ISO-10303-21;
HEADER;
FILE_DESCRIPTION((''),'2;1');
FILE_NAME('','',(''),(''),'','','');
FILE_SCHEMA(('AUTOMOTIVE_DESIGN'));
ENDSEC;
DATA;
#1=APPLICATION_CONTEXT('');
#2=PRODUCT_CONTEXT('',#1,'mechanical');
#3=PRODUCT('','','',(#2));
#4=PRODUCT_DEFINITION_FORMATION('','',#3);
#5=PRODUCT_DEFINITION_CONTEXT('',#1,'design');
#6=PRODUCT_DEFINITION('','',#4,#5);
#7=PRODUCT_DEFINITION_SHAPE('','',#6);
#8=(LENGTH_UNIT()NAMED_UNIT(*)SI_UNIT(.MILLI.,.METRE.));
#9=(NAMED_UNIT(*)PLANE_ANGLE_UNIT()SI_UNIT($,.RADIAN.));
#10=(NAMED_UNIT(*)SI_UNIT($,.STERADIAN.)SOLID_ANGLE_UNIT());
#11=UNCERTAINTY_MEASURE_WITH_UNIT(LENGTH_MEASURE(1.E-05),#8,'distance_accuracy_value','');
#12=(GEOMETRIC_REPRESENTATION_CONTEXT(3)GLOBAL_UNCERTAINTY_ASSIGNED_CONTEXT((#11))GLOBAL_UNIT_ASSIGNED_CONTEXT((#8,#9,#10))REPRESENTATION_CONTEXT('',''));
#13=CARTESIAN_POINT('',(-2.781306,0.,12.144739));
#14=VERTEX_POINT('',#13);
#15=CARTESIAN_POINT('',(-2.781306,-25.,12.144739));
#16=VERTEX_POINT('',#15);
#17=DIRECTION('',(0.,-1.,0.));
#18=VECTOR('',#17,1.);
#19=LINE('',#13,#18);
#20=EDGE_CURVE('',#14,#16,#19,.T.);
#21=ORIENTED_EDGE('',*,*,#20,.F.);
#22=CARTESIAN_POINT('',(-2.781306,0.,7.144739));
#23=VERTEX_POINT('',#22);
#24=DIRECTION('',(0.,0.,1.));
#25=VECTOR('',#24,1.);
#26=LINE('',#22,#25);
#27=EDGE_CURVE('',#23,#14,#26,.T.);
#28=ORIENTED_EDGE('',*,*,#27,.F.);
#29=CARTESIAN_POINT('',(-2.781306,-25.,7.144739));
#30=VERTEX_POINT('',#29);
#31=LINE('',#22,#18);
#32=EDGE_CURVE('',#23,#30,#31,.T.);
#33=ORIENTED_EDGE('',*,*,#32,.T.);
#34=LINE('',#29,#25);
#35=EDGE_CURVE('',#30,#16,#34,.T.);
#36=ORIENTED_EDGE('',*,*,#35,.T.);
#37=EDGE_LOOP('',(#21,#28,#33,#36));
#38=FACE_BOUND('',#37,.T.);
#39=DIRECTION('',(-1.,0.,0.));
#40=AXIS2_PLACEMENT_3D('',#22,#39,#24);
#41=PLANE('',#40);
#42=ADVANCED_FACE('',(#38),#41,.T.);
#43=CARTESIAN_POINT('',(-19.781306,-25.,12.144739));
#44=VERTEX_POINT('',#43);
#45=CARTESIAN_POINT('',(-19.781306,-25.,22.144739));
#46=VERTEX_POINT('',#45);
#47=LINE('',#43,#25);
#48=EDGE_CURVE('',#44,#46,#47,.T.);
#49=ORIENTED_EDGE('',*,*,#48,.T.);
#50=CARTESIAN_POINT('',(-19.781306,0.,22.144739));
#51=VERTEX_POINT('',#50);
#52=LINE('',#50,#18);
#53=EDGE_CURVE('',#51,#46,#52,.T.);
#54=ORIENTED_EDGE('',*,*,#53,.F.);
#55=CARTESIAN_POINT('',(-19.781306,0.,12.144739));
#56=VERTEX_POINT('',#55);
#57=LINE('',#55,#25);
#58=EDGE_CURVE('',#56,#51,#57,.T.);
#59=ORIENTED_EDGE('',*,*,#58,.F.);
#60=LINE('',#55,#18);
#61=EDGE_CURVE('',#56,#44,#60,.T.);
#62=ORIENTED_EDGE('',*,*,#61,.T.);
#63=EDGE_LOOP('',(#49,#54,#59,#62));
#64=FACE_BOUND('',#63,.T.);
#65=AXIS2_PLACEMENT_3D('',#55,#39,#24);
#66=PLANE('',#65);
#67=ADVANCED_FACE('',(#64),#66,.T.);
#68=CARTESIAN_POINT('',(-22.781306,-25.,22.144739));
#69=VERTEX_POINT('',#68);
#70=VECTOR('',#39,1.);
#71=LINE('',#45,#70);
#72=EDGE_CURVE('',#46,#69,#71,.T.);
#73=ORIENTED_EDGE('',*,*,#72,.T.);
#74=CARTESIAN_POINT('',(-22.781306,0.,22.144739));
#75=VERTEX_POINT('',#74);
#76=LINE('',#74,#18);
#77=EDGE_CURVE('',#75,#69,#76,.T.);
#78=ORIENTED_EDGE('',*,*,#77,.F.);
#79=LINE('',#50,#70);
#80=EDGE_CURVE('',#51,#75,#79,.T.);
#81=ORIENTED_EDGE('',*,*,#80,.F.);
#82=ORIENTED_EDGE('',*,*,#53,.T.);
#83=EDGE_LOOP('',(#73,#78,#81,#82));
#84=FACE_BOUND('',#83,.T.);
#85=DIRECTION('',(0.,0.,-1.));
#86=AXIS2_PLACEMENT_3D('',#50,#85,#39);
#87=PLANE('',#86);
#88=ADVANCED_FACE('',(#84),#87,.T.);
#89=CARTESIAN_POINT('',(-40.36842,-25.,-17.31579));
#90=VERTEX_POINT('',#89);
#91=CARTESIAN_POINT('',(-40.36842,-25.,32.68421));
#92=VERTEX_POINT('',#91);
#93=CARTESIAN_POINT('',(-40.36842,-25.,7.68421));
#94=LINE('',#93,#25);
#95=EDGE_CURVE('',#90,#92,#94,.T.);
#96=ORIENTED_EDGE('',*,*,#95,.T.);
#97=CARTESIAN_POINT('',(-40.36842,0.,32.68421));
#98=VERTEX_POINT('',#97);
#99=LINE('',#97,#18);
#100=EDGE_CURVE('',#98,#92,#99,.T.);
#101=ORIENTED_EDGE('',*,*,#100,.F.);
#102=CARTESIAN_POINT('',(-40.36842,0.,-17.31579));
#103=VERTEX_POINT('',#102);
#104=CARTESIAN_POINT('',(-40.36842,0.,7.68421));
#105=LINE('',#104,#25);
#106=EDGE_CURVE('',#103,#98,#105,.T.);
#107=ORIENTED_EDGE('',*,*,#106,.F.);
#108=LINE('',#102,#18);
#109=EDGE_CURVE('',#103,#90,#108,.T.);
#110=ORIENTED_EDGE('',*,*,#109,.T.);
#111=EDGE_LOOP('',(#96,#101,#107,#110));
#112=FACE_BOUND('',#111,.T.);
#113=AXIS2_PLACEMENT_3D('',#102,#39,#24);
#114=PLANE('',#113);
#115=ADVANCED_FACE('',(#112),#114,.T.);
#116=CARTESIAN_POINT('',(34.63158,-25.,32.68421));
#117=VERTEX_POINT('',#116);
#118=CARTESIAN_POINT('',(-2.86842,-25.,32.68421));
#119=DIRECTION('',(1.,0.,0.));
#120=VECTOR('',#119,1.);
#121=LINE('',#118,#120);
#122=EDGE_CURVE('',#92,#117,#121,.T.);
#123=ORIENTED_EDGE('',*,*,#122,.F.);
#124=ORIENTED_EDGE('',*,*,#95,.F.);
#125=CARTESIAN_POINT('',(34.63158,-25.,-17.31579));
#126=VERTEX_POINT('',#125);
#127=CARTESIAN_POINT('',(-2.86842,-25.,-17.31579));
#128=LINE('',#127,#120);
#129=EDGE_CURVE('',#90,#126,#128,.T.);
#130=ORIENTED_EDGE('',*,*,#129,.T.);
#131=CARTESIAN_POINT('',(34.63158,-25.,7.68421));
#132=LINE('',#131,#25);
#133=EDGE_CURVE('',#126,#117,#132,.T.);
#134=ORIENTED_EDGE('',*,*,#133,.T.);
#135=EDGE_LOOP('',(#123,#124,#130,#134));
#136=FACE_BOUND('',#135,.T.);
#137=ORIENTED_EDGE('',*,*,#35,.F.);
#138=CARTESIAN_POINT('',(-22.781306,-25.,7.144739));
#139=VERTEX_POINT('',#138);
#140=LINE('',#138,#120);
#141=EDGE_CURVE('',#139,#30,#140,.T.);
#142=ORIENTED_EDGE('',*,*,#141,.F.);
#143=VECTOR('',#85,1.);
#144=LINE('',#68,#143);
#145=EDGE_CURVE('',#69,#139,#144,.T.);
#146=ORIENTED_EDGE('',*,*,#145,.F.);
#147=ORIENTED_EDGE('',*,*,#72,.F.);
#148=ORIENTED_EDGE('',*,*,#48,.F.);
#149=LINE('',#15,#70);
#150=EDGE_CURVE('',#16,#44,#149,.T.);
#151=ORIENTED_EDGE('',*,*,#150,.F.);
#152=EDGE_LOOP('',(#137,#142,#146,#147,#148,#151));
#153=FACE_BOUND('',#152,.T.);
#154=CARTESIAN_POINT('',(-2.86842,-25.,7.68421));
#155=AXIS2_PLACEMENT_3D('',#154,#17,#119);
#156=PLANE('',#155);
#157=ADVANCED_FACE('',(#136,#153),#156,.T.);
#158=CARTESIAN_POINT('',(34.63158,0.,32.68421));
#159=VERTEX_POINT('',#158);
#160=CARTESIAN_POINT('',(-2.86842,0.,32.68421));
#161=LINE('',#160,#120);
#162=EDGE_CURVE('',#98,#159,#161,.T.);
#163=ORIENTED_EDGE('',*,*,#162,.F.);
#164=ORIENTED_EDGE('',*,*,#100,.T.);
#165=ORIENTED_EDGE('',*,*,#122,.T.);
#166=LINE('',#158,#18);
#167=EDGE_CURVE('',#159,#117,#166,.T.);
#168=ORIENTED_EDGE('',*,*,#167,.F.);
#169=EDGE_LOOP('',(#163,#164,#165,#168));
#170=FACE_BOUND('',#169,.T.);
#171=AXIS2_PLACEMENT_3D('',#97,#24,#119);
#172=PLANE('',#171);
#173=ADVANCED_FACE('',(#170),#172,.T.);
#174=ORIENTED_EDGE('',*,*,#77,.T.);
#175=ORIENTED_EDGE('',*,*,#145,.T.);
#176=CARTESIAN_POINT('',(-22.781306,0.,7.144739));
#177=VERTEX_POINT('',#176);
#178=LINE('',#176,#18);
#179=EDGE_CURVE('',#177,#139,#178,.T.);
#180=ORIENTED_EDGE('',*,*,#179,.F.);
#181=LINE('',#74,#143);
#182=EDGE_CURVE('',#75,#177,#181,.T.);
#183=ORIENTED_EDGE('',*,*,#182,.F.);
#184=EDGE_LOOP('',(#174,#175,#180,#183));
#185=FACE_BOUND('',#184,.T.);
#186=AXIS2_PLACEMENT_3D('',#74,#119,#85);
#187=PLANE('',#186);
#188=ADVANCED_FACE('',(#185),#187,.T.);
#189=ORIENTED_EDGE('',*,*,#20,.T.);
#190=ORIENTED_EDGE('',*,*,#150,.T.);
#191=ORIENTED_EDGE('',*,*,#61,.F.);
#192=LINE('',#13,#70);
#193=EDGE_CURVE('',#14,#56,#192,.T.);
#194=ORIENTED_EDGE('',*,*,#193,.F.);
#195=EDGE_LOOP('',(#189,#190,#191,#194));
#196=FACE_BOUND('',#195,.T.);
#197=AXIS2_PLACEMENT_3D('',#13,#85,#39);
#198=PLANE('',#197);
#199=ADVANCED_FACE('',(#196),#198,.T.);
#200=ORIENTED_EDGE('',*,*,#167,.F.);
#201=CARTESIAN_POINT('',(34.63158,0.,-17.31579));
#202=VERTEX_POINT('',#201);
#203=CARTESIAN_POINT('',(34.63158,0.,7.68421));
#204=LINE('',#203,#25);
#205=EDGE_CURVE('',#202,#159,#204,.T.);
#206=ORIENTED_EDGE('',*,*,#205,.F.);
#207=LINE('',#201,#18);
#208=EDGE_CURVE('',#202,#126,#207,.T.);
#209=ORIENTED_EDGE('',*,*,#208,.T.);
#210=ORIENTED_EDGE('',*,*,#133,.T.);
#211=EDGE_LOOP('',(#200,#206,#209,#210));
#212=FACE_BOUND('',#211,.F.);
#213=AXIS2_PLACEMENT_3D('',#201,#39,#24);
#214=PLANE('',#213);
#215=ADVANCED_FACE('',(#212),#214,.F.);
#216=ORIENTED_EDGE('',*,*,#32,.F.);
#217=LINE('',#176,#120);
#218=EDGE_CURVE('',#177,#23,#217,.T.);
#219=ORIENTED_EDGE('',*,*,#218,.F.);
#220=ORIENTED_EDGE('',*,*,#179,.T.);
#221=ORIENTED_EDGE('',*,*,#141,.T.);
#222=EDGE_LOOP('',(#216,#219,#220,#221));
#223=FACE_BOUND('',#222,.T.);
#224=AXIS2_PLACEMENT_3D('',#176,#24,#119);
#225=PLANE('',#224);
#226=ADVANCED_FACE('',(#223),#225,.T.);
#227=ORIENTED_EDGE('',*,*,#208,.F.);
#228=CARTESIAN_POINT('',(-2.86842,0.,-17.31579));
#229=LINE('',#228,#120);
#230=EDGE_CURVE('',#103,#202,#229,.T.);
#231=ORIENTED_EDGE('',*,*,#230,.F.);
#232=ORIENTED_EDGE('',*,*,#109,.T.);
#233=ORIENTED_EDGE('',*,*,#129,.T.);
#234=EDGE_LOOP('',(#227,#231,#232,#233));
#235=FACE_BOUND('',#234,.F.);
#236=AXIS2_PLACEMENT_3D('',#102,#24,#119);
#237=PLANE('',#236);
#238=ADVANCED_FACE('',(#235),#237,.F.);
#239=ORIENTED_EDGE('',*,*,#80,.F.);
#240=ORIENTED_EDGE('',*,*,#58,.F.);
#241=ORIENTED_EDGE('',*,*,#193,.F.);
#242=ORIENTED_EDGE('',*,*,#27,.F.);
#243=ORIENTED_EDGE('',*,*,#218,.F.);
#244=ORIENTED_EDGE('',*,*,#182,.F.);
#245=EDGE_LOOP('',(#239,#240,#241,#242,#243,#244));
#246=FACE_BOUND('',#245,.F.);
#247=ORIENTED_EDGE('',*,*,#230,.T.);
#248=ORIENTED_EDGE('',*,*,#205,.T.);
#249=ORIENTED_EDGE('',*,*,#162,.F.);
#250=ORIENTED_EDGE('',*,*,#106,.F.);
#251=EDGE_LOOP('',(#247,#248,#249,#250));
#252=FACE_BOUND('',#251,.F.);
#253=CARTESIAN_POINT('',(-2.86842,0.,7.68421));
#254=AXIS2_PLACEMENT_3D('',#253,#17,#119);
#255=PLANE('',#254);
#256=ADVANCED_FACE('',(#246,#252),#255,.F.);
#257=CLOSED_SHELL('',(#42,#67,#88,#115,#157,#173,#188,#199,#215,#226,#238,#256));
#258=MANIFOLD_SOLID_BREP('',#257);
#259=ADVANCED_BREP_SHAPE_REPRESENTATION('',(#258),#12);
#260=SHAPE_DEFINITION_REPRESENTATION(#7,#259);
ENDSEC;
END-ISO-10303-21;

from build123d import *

# Parameters (mm, degrees)
F0_W     = 75
F0_H     = 50
F1_DEPTH = 25
F3_DEPTH = 25


with BuildPart() as f1:
    # F0 (on Front) → F1 (new body)
    with BuildSketch(Plane.XZ):
        with Locations((-2.86842, 7.68421)):
            Rectangle(F0_W, F0_H)
    extrude(amount=F1_DEPTH)

    # F2 (on Front) → F3 (cut)
    with BuildSketch(Plane.XZ):
        Polygon((-19.781306, 22.144739), (-22.781306, 22.144739), (-22.781306, 7.144739), (-2.781306, 7.144739), (-2.781306, 12.144739), (-19.781306, 12.144739), align=None)
    extrude(amount=F3_DEPTH, mode=Mode.SUBTRACT)


solid = f1.part
